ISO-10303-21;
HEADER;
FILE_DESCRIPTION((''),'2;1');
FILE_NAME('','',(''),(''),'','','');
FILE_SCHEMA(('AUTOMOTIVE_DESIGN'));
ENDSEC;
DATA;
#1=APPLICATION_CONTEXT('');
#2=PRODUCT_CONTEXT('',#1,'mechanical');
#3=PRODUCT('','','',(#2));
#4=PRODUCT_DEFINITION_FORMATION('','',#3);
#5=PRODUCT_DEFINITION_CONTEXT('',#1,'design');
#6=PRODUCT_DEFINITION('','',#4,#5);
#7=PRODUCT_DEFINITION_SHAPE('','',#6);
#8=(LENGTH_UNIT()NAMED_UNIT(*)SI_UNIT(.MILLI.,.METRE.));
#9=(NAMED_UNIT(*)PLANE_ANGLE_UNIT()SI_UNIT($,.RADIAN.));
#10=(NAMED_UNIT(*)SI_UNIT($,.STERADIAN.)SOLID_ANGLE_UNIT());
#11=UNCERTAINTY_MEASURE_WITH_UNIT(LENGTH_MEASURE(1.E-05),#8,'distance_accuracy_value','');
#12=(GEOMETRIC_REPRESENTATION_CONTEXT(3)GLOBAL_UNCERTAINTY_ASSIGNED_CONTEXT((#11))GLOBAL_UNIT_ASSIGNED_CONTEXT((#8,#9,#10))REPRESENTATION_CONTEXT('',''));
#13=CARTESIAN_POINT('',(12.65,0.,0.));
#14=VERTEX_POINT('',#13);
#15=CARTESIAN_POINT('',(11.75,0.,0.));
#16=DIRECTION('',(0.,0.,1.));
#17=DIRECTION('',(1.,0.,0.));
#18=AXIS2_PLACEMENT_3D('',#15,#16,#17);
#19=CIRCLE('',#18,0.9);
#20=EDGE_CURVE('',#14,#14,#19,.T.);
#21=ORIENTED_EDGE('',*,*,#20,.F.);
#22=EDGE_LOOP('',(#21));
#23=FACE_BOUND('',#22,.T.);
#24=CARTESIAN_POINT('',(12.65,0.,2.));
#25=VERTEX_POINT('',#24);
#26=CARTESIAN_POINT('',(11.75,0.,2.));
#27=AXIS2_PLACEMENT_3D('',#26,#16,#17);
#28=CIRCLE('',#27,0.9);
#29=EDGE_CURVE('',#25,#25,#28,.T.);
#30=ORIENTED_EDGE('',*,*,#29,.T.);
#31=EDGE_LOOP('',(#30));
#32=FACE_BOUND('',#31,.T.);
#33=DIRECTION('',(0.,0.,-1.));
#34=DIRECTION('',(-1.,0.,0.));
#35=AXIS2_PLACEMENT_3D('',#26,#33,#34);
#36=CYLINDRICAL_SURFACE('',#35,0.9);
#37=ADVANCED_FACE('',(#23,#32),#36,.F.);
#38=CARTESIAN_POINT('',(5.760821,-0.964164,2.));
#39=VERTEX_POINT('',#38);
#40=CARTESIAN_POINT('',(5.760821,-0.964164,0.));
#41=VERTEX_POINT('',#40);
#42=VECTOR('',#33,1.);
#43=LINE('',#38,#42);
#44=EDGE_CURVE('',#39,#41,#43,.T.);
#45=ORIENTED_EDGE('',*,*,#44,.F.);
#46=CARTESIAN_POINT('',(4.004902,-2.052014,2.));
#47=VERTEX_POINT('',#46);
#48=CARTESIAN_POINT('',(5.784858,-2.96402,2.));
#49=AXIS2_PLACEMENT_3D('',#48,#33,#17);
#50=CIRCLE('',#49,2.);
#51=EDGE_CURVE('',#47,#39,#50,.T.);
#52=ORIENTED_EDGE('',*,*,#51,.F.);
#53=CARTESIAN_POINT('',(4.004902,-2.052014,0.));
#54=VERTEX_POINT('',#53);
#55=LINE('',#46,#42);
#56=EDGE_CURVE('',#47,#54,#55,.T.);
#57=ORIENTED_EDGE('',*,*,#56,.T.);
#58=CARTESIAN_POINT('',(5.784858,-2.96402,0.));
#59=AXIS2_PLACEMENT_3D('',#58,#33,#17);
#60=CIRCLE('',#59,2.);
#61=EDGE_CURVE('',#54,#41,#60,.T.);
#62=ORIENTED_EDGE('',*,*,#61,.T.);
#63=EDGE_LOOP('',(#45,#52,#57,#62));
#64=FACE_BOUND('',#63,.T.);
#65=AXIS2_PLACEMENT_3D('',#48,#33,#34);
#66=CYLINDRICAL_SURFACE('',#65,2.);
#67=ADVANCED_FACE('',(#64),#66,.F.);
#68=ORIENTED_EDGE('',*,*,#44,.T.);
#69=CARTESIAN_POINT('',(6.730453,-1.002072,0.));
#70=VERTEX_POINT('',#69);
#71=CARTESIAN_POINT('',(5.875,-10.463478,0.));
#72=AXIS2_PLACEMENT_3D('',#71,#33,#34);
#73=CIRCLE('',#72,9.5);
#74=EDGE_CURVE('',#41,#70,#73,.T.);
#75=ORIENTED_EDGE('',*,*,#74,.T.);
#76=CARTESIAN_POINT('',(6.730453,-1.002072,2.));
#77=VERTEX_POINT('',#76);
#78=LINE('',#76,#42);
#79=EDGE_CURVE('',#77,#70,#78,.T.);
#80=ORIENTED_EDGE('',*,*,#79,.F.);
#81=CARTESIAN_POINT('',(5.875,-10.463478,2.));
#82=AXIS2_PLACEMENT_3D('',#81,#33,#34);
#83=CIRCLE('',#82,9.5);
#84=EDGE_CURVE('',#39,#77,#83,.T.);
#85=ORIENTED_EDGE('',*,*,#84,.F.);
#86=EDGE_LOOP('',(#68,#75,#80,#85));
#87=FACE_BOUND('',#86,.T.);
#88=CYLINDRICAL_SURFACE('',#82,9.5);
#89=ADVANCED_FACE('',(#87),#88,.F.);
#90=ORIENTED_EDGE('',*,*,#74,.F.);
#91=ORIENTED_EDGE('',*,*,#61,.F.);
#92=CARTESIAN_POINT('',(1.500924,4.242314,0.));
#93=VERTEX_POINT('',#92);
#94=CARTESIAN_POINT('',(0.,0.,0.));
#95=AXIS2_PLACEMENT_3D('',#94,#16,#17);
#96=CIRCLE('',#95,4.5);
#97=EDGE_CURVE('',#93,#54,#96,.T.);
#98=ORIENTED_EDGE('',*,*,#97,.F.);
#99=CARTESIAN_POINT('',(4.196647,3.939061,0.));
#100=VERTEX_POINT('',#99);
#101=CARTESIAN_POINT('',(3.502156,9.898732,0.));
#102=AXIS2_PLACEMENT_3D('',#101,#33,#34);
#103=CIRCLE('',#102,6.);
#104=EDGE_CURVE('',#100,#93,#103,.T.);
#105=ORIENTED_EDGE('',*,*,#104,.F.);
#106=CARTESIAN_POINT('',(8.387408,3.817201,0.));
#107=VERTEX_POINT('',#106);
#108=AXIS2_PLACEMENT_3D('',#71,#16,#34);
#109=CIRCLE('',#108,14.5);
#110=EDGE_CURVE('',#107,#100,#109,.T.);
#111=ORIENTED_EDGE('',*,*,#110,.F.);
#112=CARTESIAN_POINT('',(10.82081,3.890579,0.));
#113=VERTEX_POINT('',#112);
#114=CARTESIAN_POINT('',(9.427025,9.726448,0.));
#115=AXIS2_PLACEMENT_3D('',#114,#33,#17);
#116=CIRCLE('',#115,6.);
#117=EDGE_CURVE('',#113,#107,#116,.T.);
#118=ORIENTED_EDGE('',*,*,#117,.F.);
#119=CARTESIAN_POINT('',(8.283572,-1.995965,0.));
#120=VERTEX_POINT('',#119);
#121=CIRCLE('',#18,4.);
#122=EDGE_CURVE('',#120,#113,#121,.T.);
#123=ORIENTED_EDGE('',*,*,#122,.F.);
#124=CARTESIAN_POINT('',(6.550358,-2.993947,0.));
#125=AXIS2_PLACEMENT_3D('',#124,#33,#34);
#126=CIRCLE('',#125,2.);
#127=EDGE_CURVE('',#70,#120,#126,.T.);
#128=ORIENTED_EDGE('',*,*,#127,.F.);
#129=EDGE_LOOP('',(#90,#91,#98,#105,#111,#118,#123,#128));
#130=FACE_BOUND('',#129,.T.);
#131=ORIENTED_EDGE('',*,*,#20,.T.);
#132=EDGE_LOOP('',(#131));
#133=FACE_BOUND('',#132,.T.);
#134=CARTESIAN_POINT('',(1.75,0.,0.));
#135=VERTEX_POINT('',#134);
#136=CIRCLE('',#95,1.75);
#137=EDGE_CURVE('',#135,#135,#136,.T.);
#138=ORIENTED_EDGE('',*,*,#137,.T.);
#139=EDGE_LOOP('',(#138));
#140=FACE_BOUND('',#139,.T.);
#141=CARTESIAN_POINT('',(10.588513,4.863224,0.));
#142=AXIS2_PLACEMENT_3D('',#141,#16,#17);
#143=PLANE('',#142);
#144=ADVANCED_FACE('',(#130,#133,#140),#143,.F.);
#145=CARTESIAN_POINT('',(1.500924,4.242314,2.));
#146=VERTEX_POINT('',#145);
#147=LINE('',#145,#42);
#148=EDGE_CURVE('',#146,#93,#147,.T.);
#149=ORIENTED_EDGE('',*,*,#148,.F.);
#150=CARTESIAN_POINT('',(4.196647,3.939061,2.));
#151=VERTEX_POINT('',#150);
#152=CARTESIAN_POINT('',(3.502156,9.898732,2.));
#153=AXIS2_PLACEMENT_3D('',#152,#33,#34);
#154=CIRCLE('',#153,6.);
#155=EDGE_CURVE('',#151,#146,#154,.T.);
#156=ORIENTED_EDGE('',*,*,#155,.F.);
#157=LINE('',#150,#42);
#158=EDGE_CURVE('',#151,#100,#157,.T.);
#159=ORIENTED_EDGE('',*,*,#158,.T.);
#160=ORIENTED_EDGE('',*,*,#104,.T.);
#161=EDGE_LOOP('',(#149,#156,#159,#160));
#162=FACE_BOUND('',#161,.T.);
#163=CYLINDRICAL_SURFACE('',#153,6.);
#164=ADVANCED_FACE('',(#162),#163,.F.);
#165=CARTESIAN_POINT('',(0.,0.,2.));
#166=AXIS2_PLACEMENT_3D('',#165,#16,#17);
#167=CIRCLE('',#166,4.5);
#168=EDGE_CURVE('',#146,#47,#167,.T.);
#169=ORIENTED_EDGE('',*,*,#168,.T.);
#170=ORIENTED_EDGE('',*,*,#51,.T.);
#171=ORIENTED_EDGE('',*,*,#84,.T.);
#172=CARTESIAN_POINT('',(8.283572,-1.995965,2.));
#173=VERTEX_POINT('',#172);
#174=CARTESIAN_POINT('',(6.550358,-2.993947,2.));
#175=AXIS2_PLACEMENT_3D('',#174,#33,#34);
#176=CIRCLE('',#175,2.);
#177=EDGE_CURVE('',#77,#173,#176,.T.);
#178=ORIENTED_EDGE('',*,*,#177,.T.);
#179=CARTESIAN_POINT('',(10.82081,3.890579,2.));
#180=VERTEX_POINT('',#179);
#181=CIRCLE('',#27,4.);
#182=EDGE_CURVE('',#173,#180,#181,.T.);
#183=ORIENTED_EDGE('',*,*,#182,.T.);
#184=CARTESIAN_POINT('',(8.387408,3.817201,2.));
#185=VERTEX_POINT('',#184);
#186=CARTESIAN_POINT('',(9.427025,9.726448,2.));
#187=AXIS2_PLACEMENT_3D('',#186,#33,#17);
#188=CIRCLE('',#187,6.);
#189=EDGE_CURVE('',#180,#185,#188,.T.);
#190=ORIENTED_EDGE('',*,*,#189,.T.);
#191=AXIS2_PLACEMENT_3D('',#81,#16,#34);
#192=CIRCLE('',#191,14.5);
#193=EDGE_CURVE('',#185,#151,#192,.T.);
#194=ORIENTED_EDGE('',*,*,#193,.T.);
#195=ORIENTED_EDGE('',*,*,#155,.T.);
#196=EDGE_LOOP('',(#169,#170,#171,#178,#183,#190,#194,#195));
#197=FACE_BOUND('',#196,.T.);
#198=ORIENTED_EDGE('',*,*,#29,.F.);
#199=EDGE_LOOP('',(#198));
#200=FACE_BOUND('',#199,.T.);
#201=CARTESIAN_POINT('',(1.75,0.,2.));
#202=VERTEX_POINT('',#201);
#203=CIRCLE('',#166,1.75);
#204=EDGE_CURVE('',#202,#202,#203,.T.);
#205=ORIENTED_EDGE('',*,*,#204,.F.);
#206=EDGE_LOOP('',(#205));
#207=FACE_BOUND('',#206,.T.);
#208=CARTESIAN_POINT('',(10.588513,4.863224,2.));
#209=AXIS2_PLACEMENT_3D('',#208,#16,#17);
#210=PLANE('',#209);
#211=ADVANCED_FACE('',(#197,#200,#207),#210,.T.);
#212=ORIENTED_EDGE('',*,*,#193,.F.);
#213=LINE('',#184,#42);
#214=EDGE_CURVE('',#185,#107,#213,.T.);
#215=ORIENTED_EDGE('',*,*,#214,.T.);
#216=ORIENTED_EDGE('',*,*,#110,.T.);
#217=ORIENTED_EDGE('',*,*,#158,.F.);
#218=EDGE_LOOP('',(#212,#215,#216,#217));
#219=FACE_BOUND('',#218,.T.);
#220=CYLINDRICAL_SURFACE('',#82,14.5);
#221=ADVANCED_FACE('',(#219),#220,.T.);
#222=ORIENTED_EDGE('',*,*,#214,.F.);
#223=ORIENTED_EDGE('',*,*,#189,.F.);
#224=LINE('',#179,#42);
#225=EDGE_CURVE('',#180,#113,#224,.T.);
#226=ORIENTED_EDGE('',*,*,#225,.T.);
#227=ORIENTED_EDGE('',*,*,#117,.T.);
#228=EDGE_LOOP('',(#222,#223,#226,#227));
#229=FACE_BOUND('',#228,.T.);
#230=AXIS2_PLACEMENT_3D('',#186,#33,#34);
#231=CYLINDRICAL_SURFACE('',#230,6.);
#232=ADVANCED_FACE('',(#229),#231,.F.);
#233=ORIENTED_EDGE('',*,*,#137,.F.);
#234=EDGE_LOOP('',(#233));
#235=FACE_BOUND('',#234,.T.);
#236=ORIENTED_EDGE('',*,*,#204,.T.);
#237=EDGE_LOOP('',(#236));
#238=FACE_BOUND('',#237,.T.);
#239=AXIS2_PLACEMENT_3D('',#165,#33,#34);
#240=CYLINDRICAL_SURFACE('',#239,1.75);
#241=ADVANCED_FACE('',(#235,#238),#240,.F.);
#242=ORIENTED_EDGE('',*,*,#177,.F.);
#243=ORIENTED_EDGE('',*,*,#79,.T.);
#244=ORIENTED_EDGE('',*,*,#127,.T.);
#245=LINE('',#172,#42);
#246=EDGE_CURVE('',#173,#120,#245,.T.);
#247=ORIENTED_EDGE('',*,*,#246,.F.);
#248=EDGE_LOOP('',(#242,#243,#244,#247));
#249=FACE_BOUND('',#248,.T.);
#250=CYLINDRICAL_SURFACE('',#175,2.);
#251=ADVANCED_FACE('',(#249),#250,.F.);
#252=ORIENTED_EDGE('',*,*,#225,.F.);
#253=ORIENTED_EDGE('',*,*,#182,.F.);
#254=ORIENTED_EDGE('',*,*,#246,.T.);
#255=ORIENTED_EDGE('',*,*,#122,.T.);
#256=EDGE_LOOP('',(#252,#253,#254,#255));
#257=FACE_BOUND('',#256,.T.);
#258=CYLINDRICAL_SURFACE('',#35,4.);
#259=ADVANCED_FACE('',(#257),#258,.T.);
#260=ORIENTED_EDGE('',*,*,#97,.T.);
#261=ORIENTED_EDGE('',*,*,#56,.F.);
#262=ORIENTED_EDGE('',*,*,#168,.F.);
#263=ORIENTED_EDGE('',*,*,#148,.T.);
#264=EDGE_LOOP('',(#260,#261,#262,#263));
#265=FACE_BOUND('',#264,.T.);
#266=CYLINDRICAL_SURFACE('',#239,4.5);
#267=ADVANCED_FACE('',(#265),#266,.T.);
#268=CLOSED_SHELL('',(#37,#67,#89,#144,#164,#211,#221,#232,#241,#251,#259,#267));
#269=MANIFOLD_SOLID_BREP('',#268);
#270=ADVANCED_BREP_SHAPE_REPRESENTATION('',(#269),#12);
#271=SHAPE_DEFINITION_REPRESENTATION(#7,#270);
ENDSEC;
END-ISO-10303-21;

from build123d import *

# Parameters (mm, degrees)
SKETCH1_R           = 1.75
SKETCH1_R_2         = 0.9
BOSS_EXTRUDE1_DEPTH = 2


with BuildPart() as part:
    # Sketch1 → Boss-Extrude1 (new body)
    with BuildSketch(Plane.XY):
        with BuildLine():
            ThreePointArc((1.50092417, 4.24231383), (-4.181288107, -1.663379022), (4.004901939, -2.052013757))
            ThreePointArc((4.004901939, -2.052013757), (4.731552678, -1.263858953), (5.760820585, -0.96416433))
            ThreePointArc((5.760820585, -0.96416433), (6.246121173, -0.970729914), (6.730453105, -1.002072336))
            ThreePointArc((6.730453105, -1.002072336), (7.628385483, -1.309353486), (8.28357181, -1.995964829))
            ThreePointArc((8.28357181, -1.995964829), (15.423311106, -1.583283146), (10.820810187, 3.890579172))
            ThreePointArc((10.820810187, 3.890579172), (9.607869973, 3.729173943), (8.387408257, 3.817201272))
            ThreePointArc((8.387408257, 3.817201272), (6.296455304, 4.03039557), (4.196647208, 3.939060928))
            ThreePointArc((4.196647208, 3.939060928), (2.831422573, 3.936340457), (1.50092417, 4.24231383))
        make_face()
        Circle(SKETCH1_R, mode=Mode.SUBTRACT)
        with Locations((11.75, 0)):
            Circle(SKETCH1_R_2, mode=Mode.SUBTRACT)
    extrude(amount=BOSS_EXTRUDE1_DEPTH)


solid = part.part
